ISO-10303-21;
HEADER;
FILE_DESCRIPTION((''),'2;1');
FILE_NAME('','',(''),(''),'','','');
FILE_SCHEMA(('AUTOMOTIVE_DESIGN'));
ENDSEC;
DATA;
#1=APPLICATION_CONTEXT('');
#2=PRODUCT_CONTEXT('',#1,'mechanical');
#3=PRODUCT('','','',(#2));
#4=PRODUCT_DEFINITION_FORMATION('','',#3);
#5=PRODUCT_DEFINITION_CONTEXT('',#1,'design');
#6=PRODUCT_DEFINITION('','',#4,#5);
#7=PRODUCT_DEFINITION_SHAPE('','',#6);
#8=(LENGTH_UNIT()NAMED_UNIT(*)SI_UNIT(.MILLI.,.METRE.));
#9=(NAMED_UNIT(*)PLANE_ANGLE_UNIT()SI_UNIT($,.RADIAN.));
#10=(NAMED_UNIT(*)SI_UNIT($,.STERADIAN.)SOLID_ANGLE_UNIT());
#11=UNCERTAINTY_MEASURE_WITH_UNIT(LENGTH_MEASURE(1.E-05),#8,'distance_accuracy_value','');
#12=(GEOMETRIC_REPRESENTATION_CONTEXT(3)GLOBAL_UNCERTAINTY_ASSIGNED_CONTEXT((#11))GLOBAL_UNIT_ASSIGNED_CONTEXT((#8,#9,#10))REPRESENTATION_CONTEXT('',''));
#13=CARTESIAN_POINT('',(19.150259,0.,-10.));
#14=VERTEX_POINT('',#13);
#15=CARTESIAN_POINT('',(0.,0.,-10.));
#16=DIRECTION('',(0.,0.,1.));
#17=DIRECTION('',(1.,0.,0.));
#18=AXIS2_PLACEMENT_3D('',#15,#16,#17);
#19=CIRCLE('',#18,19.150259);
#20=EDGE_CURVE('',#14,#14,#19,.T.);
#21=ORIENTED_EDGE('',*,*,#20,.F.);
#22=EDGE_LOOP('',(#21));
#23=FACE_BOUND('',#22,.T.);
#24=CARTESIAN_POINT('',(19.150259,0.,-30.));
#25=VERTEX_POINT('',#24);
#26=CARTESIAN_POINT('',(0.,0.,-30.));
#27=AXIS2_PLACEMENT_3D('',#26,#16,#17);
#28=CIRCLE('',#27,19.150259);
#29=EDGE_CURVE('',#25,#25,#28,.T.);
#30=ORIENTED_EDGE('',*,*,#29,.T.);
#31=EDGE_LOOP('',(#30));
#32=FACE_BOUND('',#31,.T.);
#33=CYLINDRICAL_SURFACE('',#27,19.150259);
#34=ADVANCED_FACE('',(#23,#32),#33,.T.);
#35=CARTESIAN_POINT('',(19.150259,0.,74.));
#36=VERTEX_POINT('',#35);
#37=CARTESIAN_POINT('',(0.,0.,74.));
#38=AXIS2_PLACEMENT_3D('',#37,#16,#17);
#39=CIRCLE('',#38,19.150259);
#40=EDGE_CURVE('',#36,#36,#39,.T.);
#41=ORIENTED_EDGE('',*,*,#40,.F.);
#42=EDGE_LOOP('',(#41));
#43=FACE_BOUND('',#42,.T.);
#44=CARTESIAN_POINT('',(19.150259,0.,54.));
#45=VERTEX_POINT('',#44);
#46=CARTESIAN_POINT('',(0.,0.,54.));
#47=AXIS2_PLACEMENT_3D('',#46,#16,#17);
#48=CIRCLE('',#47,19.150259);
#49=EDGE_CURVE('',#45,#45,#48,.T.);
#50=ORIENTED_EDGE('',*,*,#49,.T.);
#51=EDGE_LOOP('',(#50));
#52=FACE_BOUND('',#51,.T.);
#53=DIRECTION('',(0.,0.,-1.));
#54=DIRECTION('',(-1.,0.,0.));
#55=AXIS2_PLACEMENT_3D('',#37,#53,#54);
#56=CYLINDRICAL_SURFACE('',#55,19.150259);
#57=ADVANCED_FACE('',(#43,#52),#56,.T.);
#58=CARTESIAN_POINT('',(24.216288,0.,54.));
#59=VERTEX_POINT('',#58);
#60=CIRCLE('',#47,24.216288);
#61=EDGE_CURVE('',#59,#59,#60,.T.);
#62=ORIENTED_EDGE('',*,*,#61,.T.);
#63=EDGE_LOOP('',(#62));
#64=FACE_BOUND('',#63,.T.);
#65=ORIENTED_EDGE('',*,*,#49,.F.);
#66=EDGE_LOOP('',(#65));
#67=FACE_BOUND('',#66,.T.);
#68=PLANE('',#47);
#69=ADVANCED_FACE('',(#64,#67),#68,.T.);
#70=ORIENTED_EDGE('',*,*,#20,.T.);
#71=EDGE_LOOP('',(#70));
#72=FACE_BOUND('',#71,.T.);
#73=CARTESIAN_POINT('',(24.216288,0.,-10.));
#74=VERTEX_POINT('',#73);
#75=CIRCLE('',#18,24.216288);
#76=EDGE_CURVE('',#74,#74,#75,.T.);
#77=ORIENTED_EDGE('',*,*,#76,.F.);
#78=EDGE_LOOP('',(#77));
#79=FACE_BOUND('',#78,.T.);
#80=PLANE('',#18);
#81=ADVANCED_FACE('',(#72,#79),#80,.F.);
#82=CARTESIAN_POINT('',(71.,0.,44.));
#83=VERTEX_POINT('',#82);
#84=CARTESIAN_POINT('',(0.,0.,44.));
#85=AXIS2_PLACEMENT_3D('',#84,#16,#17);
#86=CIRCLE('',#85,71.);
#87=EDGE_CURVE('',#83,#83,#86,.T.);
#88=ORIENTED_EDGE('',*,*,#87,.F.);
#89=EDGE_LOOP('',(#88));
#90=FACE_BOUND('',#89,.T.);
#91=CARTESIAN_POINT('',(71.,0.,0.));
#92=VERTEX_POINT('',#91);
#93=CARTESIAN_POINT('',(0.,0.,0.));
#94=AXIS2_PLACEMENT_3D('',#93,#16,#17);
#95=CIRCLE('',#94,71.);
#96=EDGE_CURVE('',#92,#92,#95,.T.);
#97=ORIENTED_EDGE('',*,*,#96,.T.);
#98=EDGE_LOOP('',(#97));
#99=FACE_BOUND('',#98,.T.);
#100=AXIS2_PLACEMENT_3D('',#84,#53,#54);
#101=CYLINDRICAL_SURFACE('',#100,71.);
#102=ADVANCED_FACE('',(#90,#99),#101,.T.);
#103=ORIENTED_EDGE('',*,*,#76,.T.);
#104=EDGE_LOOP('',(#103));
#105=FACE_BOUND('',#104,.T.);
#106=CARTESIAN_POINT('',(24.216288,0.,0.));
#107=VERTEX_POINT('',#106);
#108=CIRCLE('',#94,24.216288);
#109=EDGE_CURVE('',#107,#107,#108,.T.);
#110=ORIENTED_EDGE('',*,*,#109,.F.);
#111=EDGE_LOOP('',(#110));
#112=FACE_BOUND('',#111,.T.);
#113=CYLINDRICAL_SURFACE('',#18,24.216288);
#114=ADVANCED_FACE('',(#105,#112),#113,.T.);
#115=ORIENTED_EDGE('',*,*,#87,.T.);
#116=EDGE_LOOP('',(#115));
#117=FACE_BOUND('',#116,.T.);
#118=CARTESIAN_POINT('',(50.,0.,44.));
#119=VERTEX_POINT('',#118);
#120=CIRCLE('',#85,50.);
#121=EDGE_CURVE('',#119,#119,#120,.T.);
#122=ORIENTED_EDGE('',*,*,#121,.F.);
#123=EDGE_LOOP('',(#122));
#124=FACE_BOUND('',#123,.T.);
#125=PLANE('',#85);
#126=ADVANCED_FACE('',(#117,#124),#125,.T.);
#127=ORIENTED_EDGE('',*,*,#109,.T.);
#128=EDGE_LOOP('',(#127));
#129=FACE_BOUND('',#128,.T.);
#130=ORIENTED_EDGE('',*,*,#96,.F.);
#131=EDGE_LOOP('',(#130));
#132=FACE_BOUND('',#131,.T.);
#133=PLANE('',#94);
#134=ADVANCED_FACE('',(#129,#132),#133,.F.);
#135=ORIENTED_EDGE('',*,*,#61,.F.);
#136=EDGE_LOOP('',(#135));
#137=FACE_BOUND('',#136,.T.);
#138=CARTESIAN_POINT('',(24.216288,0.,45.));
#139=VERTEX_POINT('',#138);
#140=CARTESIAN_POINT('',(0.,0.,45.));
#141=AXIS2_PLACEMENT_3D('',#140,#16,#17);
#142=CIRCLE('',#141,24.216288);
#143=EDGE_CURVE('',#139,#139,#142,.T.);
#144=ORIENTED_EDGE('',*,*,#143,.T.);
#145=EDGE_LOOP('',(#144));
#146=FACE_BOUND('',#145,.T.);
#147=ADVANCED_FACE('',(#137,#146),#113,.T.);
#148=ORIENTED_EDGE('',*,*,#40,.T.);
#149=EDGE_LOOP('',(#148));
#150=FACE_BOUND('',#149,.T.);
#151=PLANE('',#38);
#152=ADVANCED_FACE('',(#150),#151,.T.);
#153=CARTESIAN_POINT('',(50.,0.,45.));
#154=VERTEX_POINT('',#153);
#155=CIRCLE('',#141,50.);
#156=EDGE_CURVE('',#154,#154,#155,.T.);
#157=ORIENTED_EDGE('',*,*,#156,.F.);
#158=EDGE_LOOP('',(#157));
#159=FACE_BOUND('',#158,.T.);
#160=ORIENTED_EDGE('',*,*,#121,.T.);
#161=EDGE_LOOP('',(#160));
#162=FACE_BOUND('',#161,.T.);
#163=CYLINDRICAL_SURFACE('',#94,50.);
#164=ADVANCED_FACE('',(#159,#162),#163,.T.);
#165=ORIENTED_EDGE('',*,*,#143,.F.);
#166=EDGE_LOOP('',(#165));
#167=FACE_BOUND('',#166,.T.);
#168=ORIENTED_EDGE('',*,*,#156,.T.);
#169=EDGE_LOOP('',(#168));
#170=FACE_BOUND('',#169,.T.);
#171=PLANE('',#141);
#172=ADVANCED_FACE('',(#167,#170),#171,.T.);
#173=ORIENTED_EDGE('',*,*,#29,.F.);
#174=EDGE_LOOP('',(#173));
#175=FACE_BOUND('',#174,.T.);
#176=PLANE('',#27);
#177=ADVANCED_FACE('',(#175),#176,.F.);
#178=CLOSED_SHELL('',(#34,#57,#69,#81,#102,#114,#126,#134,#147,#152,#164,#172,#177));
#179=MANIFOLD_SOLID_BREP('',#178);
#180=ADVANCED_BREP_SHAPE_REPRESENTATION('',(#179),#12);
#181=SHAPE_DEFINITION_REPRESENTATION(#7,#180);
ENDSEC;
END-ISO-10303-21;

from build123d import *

# Parameters (mm, degrees)
SKETCH1_R                = 71
SKETCH1_R_2              = 50
BOSS_EXTRUDE1_DEPTH      = 44
SKETCH2_R                = 24.216288289
SKETCH2_R_2              = 19.150259362
BOSS_EXTRUDE2_DEPTH      = 54
BOSS_EXTRUDE2_DEPTH_BACK = 10
SKETCH3_R                = 19.150259362
BOSS_EXTRUDE3_DEPTH      = 30
SKETCH4_R                = 19.150259362
BOSS_EXTRUDE4_DEPTH      = 74
SKETCH7_R                = 50
BOSS_EXTRUDE5_DEPTH      = 1
BOSS_EXTRUDE5_DEPTH_BACK = 44


with BuildPart() as part:
    # Sketch1 → Boss-Extrude1 (new body)
    with BuildSketch(Plane.XY):
        Circle(SKETCH1_R)
        Circle(SKETCH1_R_2, mode=Mode.SUBTRACT)
    extrude(amount=BOSS_EXTRUDE1_DEPTH)



with BuildPart() as body_2:
    # Sketch2 → Boss-Extrude2 (new body, two sides)
    with BuildSketch(Plane.XY) as boss_extrude2_sk:
        Circle(SKETCH2_R)
        Circle(SKETCH2_R_2, mode=Mode.SUBTRACT)
    extrude(amount=BOSS_EXTRUDE2_DEPTH)
    extrude(boss_extrude2_sk.sketch, amount=-BOSS_EXTRUDE2_DEPTH_BACK)


with BuildPart() as body_3:
    # Sketch3 → Boss-Extrude3 (new body)
    with BuildSketch(Plane.XY):
        Circle(SKETCH3_R)
    extrude(amount=-BOSS_EXTRUDE3_DEPTH)


with BuildPart() as body_4:
    # Sketch4 → Boss-Extrude4 (new body)
    with BuildSketch(Plane.XY):
        Circle(SKETCH4_R)
    extrude(amount=BOSS_EXTRUDE4_DEPTH)


with BuildPart() as part_1:
    add(part.part)

    add(body_2.part)  # Boss-Extrude5 merges body 2

    add(body_3.part)  # Boss-Extrude5 merges body 3

    add(body_4.part)  # Boss-Extrude5 merges body 4
    # Sketch7 → Boss-Extrude5 (add, two sides)
    with BuildSketch(Plane.XY.offset(44)) as boss_extrude5_sk:
        Circle(SKETCH7_R)
    extrude(amount=BOSS_EXTRUDE5_DEPTH)
    extrude(boss_extrude5_sk.sketch, amount=-BOSS_EXTRUDE5_DEPTH_BACK)


solid = part_1.part
